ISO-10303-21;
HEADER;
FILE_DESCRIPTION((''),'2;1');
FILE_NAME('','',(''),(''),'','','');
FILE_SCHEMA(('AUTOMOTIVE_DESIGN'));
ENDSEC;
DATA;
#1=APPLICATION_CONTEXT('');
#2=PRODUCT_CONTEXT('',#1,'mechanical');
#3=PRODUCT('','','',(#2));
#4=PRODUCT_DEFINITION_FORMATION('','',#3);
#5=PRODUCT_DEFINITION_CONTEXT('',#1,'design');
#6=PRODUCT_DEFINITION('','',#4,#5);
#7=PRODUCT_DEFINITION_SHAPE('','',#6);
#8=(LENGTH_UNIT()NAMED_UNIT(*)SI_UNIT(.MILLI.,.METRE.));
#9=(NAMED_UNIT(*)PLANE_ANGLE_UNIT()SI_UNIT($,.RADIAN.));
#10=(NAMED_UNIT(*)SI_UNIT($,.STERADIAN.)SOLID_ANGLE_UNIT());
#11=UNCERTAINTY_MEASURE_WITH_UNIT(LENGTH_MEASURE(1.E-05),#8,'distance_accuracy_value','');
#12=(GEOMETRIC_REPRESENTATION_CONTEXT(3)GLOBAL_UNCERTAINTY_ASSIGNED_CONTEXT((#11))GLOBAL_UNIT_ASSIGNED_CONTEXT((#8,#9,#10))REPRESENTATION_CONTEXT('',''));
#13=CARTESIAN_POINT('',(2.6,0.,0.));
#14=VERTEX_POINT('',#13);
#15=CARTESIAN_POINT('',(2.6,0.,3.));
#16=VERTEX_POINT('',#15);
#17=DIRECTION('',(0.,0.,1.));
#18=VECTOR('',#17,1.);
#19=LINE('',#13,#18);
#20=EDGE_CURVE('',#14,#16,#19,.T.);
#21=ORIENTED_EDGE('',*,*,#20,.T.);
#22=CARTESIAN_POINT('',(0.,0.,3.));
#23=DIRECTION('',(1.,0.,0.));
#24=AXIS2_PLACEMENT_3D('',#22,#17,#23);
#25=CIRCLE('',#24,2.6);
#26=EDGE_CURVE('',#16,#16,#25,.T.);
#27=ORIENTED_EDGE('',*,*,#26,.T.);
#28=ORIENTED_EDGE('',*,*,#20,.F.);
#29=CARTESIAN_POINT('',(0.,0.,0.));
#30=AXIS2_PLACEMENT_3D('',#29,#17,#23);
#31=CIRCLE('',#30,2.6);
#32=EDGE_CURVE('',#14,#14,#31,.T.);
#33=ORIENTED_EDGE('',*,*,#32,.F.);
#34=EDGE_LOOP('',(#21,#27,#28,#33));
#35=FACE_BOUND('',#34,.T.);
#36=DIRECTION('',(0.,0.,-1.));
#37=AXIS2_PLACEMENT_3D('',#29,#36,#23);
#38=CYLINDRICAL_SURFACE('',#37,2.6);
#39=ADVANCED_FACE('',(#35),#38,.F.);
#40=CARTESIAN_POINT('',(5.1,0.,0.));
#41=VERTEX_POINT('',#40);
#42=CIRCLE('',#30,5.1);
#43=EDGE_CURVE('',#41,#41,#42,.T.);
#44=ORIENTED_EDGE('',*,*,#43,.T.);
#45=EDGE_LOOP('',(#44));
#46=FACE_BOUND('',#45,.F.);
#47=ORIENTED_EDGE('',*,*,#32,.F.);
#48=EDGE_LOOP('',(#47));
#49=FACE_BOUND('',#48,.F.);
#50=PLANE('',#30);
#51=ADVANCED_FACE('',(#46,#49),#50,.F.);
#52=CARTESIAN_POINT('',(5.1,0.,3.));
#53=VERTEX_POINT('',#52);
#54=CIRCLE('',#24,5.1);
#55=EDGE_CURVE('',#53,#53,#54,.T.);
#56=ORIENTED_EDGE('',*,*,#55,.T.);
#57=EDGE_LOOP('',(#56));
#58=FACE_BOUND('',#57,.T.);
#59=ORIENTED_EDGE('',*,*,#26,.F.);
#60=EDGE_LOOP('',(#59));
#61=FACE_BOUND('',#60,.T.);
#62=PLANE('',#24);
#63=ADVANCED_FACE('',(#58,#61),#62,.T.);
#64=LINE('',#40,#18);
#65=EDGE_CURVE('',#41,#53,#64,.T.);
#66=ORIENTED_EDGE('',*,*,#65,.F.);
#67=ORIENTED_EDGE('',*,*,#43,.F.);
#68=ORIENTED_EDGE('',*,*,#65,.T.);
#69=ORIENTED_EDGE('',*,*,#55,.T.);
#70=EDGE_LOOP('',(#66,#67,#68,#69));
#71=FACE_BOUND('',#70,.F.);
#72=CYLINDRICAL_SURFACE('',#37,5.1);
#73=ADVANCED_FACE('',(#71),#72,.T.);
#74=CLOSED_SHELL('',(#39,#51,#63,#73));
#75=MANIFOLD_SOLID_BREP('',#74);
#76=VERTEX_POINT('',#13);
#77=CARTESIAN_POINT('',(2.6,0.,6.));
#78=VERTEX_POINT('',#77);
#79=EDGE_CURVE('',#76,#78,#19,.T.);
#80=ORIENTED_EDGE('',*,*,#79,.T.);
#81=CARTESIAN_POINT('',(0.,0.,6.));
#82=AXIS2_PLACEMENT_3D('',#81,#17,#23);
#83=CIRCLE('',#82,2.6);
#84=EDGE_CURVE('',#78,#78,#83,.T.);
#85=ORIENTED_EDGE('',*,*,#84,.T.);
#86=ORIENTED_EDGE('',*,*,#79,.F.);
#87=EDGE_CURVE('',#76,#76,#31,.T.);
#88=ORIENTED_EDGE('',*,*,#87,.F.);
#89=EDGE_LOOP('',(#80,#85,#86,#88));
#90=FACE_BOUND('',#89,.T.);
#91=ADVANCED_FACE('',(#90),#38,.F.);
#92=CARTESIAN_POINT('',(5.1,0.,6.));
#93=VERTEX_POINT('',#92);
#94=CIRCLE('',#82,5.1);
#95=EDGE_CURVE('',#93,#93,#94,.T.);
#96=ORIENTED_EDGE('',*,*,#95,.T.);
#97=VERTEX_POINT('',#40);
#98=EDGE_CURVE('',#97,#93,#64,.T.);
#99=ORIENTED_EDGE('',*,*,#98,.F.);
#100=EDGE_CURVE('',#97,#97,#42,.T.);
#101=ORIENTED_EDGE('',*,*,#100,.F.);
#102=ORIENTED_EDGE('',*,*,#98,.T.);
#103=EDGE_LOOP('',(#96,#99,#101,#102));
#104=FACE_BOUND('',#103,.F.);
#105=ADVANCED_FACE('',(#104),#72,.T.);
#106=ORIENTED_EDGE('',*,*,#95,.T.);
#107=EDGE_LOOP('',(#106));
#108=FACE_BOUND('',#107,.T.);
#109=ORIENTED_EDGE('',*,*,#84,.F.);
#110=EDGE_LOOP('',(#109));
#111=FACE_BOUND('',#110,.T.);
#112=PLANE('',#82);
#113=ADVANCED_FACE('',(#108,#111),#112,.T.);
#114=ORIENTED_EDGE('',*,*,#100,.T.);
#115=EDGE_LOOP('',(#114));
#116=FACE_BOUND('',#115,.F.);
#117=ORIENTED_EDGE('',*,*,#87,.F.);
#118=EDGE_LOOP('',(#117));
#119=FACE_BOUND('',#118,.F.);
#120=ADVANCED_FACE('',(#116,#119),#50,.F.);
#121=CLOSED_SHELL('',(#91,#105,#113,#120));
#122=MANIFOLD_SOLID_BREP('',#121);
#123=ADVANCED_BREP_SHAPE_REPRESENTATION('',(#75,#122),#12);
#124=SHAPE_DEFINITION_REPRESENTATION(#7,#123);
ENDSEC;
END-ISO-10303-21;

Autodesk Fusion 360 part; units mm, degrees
sketch "Sketch1" plane through (0, 0, 0) normal (0, 0, 1) x (1, 0, 0)
  circle A0 centre (0, 0) radius 2.6
  circle A1 centre (0, 0) radius 5.1
  dimension "d1" = 5.2
  dimension "d2" = 2.5
extrude "Extrude1" add sketch "Sketch1" along normal blind 3 makes body 1
extrude "Extrude2" add sketch "Sketch1" along normal blind 6 separate body makes body 2
copy_body "Body->Comp1" bodies 1 removing the originals makes body 3 in component "3MM SPACER"
copy_body "Body->Comp2" bodies 2 removing the originals makes body 4 in component "6MM SPACER"
component "3MM SPACER" placed x (1, 0, 0) y (0, 1, 0) z (0, 0, 1) at (0, 0, 0)
component "6MM SPACER" placed x (1, 0, 0) y (0, 1, 0) z (0, 0, 1) at (0, 0, 0)
